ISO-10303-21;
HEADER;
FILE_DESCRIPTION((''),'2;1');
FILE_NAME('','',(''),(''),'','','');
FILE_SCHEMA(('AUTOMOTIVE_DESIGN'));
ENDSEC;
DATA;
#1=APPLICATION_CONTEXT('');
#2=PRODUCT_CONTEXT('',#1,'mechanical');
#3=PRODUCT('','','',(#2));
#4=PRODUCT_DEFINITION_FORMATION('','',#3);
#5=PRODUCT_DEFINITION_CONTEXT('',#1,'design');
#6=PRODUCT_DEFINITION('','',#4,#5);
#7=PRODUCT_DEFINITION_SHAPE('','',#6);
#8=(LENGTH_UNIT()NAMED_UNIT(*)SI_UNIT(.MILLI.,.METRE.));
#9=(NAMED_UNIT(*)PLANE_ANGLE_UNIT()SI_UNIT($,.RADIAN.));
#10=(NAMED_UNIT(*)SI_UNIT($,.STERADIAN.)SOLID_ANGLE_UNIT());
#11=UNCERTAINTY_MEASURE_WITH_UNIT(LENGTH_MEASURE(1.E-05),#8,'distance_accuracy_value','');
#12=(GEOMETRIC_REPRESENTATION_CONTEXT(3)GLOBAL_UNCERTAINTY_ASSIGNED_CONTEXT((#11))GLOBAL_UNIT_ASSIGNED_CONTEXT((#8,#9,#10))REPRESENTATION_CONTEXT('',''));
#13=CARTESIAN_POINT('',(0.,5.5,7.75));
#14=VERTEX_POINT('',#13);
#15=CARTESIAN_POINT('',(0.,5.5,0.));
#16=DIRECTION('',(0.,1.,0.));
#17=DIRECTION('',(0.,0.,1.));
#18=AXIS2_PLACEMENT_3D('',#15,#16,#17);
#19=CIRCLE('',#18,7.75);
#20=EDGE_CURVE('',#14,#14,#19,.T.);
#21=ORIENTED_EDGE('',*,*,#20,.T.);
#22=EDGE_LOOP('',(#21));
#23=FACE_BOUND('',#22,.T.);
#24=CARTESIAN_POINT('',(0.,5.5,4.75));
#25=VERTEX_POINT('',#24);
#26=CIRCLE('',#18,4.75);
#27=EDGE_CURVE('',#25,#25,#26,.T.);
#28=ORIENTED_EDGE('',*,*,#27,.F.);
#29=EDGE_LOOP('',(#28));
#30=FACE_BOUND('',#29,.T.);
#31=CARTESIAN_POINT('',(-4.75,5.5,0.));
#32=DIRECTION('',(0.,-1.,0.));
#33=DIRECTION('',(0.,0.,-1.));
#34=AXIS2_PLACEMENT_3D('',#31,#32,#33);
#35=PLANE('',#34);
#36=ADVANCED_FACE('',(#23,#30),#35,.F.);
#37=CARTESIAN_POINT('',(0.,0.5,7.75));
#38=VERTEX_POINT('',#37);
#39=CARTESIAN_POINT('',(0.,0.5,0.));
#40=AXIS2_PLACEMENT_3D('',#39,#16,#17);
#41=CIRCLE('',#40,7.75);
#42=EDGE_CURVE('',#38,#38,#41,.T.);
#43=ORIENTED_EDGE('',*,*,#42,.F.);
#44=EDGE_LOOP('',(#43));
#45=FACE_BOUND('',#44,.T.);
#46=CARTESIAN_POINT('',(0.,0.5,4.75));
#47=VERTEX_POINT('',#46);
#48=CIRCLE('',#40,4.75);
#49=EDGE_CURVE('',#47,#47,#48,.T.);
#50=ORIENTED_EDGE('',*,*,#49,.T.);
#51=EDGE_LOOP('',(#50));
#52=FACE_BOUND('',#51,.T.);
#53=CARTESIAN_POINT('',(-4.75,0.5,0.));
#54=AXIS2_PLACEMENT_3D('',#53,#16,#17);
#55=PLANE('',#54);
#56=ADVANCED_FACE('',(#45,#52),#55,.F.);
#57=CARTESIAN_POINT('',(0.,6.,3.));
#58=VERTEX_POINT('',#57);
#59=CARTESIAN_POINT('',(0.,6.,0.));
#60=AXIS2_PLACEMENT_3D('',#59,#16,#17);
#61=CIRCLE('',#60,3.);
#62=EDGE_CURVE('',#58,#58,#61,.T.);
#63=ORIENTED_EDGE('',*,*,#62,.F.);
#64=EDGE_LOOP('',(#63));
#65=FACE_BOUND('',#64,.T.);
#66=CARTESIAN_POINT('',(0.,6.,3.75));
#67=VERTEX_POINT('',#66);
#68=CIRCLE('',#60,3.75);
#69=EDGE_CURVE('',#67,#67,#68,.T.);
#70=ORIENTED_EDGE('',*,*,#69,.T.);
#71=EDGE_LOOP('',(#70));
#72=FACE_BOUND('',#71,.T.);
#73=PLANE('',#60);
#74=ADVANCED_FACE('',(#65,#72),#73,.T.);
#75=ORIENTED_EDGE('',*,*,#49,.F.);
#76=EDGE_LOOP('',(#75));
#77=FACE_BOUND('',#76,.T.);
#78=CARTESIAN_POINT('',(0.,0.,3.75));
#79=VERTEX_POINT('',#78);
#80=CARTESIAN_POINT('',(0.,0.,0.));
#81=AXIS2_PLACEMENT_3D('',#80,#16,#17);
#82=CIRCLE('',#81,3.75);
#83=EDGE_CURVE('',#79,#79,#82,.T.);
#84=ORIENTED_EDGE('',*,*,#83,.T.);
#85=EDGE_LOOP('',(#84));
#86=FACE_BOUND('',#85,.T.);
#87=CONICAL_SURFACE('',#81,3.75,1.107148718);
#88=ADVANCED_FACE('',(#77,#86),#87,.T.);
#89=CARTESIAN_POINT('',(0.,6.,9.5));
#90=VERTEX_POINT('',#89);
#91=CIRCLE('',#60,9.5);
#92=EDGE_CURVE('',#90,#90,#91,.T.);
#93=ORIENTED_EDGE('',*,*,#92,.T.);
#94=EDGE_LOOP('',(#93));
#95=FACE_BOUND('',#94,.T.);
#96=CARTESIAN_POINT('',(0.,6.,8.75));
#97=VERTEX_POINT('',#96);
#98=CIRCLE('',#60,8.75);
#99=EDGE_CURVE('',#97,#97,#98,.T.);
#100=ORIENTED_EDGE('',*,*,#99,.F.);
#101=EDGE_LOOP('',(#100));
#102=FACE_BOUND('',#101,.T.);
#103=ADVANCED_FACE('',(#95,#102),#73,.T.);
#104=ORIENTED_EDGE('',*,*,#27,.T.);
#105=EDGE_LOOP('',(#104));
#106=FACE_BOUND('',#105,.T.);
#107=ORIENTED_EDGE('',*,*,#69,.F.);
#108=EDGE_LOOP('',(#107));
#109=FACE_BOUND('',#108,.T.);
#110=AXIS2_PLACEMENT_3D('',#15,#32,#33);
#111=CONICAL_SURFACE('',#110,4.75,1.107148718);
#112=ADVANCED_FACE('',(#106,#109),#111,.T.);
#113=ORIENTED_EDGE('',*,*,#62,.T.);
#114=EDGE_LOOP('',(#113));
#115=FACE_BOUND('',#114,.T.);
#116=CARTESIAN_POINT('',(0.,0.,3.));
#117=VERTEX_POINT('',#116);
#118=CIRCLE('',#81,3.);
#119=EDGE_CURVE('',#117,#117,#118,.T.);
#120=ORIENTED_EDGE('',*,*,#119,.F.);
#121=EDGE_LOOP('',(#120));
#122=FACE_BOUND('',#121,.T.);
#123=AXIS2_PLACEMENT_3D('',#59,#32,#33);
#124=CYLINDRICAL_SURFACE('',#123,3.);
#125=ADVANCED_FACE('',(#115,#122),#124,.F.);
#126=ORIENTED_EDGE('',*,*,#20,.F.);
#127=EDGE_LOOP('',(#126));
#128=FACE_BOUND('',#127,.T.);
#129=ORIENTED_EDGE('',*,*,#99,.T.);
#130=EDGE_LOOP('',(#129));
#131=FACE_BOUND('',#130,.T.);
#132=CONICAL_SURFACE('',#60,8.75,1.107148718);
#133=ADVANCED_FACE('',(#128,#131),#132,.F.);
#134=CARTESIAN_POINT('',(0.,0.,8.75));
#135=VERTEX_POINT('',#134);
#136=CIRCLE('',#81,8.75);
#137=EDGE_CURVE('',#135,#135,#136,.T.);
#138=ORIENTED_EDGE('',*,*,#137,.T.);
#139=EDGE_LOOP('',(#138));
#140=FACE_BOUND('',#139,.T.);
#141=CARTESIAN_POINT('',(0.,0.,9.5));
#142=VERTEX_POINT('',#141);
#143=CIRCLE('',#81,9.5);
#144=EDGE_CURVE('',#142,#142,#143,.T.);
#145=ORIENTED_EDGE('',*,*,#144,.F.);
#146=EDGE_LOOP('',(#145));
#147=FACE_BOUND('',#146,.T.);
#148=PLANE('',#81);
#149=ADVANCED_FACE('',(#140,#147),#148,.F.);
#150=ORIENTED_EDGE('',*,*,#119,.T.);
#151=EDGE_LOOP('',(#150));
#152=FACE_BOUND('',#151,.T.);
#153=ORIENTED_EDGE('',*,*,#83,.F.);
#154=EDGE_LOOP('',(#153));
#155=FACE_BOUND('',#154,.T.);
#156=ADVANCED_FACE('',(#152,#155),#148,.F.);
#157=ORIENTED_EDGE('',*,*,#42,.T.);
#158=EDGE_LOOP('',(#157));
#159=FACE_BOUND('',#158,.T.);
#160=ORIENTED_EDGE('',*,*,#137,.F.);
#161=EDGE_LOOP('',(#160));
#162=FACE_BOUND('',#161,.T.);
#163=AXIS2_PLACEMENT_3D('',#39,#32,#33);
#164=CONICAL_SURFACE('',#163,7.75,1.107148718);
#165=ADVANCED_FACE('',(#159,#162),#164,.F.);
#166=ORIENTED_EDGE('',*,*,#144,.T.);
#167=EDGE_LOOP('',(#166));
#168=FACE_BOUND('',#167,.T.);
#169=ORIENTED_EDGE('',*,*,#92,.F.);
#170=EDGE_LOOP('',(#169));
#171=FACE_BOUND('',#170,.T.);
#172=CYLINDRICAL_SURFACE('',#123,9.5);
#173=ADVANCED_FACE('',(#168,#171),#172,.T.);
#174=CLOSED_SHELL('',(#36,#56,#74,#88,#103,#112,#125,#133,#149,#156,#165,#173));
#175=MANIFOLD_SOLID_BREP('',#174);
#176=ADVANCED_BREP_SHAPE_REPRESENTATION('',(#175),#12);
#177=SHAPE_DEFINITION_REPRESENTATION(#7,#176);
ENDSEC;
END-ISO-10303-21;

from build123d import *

# Parameters (mm, degrees)
SKETCH1_R           = 9.5
SKETCH1_R_2         = 3
BOSS_EXTRUDE1_DEPTH = 6


with BuildPart() as part:
    # Sketch1 → Boss-Extrude1 (new body)
    with BuildSketch(Plane(origin=(0, 0, 0), x_dir=(1, 0, 0), z_dir=(0, 1, 0))):
        Circle(SKETCH1_R)
        Circle(SKETCH1_R_2, mode=Mode.SUBTRACT)
    extrude(amount=BOSS_EXTRUDE1_DEPTH)

    # Sketch2 → Cut-Revolve1 (revolve, cut)
    with BuildSketch(Plane.XY):
        Polygon((-3.75, 6), (-4.75, 5.5), (-7.75, 5.5), (-8.75, 6), align=None)
        Polygon((-8.75, 0), (-3.75, 0), (-4.75, 0.5), (-7.75, 0.5), align=None)
    revolve(axis=Axis((0, 6, 0), (0, -1, 0)), mode=Mode.SUBTRACT)


solid = part.part
